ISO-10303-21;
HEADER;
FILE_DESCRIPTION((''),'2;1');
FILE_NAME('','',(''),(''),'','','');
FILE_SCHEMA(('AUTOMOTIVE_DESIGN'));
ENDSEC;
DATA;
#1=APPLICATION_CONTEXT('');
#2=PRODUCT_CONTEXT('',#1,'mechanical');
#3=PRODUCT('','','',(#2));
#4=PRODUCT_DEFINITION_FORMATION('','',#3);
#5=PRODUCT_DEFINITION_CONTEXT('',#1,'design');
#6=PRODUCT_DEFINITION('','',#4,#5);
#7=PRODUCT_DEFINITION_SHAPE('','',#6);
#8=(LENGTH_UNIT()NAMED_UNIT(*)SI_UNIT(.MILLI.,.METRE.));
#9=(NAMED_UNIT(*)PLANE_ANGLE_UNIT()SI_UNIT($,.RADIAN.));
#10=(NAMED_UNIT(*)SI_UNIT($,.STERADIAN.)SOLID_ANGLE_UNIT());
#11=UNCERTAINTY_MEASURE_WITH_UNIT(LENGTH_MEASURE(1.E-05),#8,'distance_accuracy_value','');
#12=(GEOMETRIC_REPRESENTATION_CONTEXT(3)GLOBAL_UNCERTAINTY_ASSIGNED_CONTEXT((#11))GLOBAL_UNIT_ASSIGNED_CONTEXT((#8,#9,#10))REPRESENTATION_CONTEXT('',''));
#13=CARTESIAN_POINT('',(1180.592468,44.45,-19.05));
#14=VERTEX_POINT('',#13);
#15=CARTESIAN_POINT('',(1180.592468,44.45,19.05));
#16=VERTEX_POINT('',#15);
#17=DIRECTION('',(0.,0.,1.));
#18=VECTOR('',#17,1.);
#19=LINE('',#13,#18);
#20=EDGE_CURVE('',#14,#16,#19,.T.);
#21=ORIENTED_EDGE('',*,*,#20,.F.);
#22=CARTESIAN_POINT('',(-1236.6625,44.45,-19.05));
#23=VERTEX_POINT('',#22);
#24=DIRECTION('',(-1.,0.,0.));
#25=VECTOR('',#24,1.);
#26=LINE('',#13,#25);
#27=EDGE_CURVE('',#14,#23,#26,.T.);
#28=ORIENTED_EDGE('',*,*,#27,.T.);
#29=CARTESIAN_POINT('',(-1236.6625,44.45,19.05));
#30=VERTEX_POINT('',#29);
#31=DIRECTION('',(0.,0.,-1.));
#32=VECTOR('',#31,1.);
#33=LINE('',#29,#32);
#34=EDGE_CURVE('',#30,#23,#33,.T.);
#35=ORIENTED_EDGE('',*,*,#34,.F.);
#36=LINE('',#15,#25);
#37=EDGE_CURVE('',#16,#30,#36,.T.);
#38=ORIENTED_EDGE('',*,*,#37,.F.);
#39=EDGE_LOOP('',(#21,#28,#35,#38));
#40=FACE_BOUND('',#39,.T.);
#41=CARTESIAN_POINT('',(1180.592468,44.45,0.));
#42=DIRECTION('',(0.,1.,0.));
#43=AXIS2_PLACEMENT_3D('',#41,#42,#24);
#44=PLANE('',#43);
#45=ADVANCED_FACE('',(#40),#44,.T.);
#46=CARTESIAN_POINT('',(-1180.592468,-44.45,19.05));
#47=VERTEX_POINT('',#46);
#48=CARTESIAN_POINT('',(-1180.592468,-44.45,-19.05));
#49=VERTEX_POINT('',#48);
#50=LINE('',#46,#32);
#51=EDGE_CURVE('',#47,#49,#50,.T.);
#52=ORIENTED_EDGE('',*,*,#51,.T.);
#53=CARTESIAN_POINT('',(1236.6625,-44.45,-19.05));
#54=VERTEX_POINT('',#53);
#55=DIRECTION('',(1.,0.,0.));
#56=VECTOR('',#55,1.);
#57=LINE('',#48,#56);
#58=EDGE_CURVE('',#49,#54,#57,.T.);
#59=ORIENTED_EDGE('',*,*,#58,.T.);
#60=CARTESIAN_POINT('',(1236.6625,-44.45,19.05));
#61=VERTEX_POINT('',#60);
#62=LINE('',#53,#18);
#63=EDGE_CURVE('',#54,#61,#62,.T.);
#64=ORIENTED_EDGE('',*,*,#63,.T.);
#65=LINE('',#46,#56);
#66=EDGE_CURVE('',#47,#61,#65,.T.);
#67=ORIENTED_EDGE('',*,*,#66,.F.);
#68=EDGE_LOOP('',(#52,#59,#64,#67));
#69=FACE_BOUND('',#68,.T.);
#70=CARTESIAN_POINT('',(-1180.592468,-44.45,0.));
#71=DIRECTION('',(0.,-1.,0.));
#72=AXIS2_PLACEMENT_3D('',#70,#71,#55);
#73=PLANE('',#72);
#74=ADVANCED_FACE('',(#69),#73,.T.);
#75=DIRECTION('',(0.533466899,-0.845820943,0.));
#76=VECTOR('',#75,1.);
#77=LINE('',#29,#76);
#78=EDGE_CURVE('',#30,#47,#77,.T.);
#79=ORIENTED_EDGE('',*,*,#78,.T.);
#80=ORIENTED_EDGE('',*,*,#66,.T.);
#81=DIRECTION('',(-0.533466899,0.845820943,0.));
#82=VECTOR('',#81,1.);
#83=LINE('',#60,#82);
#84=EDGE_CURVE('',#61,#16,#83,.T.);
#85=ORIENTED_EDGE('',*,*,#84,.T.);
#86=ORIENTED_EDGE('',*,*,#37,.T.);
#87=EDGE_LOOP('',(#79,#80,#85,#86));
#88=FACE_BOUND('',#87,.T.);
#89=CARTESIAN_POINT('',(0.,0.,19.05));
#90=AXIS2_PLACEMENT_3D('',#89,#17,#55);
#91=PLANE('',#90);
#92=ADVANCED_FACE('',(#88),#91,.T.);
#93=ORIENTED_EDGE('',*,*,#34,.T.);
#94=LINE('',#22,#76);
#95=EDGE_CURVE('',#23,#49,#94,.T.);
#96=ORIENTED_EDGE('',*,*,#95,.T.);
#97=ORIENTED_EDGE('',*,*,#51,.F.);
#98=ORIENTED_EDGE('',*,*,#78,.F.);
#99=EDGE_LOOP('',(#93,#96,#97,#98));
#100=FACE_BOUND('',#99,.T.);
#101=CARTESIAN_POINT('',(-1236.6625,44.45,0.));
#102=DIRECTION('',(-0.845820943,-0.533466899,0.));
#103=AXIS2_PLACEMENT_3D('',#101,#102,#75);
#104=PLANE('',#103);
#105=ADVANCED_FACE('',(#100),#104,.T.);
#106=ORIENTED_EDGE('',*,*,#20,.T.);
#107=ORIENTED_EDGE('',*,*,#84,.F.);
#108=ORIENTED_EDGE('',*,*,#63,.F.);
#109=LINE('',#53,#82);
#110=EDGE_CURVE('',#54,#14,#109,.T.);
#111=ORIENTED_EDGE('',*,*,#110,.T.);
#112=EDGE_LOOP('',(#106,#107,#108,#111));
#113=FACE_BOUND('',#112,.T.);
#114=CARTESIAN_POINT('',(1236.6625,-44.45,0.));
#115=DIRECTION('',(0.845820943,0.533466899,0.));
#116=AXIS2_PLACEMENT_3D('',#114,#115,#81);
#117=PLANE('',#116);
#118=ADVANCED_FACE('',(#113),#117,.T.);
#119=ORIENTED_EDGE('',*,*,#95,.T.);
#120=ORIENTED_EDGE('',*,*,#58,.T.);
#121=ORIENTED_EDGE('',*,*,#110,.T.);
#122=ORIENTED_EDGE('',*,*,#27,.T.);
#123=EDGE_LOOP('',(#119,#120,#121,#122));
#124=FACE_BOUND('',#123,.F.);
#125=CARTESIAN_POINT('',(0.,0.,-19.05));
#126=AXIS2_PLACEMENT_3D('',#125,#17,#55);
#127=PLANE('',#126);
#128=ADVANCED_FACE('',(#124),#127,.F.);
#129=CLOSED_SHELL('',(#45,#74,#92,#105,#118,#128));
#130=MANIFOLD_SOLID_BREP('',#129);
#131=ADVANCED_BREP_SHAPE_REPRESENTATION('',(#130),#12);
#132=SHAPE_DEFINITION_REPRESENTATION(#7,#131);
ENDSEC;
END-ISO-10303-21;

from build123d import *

# Parameters (mm, degrees)
F1_DEPTH = 19.05


with BuildPart() as f1:
    # F0 (on Top) → F1 (new body, symmetric)
    with BuildSketch(Plane.XY):
        Polygon((-1180.592468, -44.45), (1236.6625, -44.45), (1180.592468, 44.45), (-1236.6625, 44.45), align=None)
    extrude(amount=F1_DEPTH, both=True)


solid = f1.part
